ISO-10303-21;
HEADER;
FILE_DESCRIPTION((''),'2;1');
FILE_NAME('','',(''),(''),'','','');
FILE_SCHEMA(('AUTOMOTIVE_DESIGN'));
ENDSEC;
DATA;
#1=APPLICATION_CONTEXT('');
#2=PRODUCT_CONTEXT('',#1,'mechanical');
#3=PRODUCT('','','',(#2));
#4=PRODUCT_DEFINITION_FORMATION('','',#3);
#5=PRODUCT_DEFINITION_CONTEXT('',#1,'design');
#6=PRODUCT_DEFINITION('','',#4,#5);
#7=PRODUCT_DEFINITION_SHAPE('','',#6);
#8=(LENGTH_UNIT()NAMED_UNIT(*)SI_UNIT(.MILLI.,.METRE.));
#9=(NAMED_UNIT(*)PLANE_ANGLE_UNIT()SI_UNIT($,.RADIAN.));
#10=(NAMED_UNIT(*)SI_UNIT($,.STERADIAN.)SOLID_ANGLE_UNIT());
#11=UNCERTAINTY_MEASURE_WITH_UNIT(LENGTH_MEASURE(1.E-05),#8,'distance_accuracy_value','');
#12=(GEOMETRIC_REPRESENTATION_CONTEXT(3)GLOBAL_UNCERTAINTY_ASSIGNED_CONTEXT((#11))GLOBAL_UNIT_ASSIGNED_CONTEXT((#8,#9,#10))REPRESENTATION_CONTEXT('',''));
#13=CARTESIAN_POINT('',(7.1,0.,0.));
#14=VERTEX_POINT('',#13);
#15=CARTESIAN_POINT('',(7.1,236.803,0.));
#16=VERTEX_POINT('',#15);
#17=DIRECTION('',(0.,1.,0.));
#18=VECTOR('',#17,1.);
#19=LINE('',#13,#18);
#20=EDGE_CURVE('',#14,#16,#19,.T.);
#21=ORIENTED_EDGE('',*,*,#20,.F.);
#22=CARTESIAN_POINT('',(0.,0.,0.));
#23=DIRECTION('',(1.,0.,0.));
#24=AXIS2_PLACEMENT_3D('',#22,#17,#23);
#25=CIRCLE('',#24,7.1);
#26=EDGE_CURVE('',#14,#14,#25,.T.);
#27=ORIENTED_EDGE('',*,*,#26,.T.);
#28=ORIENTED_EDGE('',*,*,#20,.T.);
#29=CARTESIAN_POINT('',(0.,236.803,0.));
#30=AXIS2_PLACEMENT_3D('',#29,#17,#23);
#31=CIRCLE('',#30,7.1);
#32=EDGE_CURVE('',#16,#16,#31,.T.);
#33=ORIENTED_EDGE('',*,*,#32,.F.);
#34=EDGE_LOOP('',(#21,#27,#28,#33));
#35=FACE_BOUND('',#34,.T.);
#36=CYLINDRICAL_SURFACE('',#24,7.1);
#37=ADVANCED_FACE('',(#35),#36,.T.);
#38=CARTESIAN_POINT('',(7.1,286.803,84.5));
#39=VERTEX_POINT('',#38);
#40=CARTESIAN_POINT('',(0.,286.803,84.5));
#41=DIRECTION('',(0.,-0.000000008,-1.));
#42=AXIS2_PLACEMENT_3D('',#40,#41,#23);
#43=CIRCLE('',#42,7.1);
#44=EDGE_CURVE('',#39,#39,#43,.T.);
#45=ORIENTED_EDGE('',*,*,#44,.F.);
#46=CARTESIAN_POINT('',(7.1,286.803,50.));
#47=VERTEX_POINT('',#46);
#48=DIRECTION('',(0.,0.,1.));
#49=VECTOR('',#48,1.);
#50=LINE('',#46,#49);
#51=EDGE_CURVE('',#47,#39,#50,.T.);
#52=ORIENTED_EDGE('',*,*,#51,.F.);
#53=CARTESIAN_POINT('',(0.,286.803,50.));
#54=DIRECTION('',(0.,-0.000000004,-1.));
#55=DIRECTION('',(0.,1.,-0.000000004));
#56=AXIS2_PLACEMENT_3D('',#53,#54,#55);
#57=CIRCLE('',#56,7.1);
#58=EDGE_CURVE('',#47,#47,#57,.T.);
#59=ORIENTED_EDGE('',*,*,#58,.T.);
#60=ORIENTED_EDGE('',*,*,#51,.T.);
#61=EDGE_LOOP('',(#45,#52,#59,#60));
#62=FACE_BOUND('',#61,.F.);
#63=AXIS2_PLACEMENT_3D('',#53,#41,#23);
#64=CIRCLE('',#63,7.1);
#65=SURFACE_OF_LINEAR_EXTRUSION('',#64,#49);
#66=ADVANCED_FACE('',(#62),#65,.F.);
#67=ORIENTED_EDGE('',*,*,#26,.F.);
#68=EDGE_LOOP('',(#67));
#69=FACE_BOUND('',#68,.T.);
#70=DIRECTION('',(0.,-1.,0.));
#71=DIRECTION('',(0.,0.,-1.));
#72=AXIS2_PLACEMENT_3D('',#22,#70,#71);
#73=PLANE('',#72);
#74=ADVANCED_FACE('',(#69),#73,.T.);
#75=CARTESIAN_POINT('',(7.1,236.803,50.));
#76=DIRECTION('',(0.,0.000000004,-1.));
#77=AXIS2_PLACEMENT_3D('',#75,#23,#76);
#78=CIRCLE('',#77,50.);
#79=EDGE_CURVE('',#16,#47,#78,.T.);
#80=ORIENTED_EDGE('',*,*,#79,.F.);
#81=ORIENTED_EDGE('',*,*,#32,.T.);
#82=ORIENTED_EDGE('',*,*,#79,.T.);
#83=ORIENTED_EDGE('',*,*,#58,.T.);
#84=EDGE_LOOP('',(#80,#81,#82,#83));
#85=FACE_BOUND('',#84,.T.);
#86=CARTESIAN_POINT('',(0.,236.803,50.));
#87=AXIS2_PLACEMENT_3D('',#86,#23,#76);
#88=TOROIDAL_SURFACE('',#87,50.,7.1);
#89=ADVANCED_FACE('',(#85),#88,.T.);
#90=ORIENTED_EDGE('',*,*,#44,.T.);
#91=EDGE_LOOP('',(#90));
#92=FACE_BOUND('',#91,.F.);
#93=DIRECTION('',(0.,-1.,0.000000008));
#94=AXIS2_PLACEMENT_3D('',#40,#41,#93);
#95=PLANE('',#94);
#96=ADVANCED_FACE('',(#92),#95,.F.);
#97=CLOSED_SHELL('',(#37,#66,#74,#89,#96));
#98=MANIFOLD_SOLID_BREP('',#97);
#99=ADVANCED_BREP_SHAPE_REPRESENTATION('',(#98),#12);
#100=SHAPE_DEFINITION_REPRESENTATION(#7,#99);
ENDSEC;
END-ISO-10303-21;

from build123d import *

# Parameters (mm, degrees)
F1_R = 7.1


with BuildPart() as f2:
    # F2: sweep along a path in F0
    with BuildLine(Plane.YZ) as f2_path:
        Line((0, 0), (236.803, 0))
        ThreePointArc((236.803, 0), (272.158339, 14.644661), (286.803, 50))
        Line((286.803, 50), (286.803, 84.5))
    # F1 (on Front) → F2 (sweep)
    with BuildSketch(Plane.XZ):
        Circle(F1_R)
    sweep(path=f2_path.line)


solid = f2.part
